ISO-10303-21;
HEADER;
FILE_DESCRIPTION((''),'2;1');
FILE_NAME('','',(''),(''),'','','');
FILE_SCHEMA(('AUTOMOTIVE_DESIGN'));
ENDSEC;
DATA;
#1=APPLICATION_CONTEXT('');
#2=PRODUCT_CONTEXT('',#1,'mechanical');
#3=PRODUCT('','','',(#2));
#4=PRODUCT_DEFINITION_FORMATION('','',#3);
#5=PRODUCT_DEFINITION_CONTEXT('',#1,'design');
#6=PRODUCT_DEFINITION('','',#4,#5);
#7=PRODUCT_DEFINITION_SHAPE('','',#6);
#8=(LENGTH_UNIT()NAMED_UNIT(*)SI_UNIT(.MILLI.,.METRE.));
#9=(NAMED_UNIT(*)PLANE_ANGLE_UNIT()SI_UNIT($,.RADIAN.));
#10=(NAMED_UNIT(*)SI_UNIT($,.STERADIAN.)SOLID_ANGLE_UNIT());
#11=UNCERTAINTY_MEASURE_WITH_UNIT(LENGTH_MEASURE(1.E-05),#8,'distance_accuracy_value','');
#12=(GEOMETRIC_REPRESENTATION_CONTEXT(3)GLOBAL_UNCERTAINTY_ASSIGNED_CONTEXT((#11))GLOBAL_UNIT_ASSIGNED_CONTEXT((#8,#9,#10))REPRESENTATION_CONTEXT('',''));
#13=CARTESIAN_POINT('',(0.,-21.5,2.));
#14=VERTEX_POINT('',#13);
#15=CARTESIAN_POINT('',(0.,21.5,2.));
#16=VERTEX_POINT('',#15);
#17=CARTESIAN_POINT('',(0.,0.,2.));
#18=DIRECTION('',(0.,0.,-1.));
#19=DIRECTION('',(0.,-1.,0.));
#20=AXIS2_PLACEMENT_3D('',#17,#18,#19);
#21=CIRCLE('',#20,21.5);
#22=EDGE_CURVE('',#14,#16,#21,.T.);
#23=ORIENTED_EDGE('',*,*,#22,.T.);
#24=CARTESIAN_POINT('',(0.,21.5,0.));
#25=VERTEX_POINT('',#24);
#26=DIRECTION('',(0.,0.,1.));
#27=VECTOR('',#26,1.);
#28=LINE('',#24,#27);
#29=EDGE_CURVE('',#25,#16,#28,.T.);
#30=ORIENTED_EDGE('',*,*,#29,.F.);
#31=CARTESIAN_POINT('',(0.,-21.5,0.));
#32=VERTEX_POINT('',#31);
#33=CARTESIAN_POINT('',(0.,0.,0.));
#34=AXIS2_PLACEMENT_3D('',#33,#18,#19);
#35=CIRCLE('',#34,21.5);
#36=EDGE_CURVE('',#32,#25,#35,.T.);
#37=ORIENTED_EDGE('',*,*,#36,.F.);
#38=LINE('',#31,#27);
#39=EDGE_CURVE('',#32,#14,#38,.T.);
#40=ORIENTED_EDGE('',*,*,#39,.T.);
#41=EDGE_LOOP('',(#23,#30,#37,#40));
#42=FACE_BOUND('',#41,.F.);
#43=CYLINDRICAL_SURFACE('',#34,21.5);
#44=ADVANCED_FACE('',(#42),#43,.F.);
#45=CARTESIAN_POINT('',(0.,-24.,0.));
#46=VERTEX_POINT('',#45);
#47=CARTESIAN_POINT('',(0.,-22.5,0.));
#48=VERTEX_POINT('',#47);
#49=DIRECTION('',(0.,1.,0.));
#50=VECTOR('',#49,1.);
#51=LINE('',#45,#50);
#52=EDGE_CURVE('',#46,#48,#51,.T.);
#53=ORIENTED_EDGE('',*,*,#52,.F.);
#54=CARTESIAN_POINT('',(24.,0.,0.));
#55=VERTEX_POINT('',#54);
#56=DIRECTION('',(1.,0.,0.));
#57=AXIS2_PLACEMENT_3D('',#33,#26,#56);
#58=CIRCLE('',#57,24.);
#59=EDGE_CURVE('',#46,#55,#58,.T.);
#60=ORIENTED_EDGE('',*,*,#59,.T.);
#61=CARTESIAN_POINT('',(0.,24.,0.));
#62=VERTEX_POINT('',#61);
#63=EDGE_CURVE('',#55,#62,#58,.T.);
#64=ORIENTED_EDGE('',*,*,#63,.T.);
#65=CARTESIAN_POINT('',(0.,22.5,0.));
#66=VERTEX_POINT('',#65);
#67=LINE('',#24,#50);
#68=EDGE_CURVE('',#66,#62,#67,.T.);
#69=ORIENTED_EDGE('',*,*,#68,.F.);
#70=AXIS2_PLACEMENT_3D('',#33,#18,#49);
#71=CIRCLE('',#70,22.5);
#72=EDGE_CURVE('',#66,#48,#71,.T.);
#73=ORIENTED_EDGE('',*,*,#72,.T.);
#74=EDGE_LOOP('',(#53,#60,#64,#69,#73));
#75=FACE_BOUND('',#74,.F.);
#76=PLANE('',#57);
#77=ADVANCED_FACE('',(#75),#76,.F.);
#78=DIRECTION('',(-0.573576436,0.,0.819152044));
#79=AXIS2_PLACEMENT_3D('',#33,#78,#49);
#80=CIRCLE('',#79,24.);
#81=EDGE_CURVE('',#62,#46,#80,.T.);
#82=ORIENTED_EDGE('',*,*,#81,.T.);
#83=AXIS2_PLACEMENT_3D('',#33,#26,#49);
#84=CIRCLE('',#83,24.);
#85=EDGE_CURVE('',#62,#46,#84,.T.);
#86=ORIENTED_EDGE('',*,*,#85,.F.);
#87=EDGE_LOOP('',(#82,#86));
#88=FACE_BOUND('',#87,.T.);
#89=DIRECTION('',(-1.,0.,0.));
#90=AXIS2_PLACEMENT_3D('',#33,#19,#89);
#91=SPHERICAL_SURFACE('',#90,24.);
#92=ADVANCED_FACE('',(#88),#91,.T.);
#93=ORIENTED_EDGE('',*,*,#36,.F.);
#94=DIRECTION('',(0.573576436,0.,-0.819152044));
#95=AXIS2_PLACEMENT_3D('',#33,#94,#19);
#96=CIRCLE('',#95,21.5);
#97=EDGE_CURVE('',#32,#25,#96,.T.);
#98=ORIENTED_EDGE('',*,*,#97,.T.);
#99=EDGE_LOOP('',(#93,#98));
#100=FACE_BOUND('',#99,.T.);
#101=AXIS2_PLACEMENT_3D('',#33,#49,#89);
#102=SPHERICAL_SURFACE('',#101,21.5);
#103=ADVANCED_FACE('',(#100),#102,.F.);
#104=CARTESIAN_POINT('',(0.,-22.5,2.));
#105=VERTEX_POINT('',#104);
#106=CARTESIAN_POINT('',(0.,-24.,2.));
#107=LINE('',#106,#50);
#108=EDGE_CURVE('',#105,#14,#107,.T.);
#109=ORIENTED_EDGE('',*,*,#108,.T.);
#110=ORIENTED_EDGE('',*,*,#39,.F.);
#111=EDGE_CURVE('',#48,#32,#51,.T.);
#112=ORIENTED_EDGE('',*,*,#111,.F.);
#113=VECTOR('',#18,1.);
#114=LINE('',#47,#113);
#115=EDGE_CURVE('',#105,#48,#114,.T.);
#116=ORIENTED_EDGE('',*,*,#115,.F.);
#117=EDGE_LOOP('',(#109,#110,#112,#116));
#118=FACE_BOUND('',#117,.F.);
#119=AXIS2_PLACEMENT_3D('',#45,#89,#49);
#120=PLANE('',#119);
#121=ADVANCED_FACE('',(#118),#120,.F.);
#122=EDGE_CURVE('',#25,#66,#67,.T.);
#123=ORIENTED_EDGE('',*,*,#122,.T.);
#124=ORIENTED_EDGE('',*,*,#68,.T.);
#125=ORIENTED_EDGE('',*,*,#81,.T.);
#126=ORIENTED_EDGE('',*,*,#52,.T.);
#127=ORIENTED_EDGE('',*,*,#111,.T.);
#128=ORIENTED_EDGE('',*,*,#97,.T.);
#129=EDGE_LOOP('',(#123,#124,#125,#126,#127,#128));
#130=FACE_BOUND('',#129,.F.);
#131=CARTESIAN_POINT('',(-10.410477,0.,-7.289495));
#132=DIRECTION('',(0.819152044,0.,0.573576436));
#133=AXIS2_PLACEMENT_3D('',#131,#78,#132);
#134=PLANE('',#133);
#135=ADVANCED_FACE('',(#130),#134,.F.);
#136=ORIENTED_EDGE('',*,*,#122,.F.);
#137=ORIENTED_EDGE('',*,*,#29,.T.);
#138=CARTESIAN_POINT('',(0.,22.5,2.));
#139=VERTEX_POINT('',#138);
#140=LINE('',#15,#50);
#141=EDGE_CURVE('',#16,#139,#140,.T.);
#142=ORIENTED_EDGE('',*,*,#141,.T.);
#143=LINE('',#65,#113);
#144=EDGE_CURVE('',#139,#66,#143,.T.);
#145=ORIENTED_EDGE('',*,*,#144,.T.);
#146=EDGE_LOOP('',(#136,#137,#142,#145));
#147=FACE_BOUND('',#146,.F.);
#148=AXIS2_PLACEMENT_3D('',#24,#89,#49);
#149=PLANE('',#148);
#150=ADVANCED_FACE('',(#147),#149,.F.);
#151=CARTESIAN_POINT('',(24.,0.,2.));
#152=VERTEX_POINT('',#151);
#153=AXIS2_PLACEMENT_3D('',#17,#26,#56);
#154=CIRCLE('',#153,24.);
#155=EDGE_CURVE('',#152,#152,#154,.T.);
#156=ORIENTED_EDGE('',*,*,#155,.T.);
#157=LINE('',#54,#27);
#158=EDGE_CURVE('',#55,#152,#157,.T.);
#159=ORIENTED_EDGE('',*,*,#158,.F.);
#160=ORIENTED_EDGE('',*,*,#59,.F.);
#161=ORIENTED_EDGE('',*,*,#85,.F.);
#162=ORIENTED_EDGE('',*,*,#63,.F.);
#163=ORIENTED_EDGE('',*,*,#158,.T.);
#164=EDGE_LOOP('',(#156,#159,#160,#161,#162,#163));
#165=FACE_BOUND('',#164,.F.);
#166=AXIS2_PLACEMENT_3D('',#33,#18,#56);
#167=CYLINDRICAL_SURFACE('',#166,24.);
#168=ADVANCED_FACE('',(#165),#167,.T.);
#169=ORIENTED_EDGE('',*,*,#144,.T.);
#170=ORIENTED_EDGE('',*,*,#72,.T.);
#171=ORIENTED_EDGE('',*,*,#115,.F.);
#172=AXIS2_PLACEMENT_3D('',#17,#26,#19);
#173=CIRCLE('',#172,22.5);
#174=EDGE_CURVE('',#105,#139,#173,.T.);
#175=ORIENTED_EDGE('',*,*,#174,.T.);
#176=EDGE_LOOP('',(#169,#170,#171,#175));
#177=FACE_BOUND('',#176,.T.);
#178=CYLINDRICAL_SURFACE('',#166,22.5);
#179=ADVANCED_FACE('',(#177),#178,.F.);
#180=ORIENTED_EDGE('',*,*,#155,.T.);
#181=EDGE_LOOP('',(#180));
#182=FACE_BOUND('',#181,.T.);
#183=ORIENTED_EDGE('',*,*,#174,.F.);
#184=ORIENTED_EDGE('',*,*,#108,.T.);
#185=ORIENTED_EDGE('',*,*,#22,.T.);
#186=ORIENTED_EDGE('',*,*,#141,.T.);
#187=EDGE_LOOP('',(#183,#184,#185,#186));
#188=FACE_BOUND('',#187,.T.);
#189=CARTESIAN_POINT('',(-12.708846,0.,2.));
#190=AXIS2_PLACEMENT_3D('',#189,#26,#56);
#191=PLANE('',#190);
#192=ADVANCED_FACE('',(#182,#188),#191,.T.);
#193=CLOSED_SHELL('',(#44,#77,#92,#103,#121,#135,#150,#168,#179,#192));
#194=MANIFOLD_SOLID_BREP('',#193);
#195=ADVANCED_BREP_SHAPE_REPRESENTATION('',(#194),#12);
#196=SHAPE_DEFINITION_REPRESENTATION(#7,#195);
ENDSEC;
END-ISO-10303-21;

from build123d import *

# Parameters (mm, degrees)
F0_R     = 24
F0_R_2   = 22.5
F1_DEPTH = 2
F3_ANGLE = 35
F4_DEPTH = 2


with BuildPart() as f1:
    # F0 (on Top) → F1 (new body)
    with BuildSketch(Plane.XY):
        Circle(F0_R)
        Circle(F0_R_2, mode=Mode.SUBTRACT)
    extrude(amount=F1_DEPTH)

    # F2 (on Top) → F3 (revolve)
    with BuildSketch(Plane.XY):
        with BuildLine():
            Line((0, 21.5), (0, 24))
            ThreePointArc((0, 24), (-24, 0), (0, -24))
            Line((0, -24), (0, -21.5))
            ThreePointArc((0, -21.5), (-21.5, 0), (0, 21.5))
        make_face()
    revolve(axis=Axis((0, 0, 0), (0, -1, 0)), revolution_arc=F3_ANGLE)

    # F2 (on Top) → F4 (join)
    with BuildSketch(Plane.XY):
        with BuildLine():
            Line((0, 21.5), (0, 24))
            ThreePointArc((0, 24), (-24, 0), (0, -24))
            Line((0, -24), (0, -21.5))
            ThreePointArc((0, -21.5), (-21.5, 0), (0, 21.5))
        make_face()
    extrude(amount=F4_DEPTH)


solid = f1.part
